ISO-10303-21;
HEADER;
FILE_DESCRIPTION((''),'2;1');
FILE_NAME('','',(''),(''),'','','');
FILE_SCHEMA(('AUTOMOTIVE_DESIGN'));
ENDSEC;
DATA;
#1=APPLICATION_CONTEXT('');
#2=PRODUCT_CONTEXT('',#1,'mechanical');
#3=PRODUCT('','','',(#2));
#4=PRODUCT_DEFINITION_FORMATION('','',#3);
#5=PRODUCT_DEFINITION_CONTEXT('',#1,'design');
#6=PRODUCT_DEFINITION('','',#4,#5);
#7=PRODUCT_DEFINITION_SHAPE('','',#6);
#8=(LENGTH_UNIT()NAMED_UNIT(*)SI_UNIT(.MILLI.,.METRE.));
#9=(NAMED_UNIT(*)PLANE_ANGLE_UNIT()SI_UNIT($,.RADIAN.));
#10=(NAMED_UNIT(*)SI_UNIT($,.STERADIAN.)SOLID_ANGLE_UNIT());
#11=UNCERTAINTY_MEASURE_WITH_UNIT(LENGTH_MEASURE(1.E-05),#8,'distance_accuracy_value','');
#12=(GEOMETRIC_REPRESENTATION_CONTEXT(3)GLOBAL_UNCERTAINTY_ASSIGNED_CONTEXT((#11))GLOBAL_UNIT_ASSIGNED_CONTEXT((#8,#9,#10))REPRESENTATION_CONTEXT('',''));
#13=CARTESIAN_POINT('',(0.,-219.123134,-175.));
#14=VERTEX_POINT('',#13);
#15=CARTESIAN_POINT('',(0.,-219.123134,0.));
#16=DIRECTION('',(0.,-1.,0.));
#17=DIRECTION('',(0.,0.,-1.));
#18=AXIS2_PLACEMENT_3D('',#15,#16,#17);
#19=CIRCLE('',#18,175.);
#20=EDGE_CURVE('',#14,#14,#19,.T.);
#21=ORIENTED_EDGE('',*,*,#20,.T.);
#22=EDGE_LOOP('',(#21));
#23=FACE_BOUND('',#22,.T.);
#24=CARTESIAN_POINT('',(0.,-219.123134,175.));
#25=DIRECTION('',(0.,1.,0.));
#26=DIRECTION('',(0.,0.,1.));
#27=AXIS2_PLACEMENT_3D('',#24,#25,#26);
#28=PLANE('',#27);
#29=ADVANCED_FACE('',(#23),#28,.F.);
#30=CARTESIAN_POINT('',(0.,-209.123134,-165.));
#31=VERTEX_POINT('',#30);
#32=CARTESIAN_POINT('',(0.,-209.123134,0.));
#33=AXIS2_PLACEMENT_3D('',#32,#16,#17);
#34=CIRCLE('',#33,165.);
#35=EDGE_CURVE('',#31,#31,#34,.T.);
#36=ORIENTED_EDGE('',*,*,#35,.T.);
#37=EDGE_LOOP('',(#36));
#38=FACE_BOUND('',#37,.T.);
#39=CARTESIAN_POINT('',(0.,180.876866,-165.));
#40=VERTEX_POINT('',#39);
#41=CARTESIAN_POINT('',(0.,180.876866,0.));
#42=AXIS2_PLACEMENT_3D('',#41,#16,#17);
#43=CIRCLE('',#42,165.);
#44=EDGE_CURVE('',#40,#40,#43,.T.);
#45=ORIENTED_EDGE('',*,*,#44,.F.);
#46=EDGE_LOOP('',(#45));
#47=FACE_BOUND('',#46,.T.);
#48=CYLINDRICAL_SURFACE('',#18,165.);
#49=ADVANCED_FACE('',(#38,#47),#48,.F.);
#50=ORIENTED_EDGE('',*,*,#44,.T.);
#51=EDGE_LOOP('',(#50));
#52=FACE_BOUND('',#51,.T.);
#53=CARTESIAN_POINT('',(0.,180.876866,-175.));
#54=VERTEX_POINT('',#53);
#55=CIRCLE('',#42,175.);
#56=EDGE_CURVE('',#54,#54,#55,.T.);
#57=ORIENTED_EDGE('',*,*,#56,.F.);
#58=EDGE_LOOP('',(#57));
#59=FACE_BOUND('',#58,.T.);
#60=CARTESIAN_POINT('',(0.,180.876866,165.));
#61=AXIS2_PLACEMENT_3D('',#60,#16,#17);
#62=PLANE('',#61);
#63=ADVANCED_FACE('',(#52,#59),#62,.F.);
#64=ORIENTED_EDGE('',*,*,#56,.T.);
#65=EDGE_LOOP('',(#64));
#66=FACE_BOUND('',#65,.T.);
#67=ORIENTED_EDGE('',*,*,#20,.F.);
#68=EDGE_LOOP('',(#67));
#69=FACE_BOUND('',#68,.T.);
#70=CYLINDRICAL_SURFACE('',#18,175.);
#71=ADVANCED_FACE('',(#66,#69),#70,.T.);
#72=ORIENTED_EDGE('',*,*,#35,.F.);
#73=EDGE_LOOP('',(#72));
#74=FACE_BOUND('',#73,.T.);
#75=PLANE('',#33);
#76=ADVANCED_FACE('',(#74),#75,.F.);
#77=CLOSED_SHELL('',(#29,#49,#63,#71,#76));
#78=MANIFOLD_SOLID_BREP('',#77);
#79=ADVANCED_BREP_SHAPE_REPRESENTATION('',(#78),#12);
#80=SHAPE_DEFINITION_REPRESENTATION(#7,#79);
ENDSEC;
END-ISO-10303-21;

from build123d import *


with BuildPart() as part:
    # Croquis1 → Revolución1 (revolve)
    with BuildSketch(Plane(origin=(0, 0, 0), x_dir=(0, 0, -1), z_dir=(1, 0, 0)), mode=Mode.PRIVATE) as revoluci_n1_sk:
        Polygon((0, -209.123134328), (-165, -209.123134328), (-165, 180.876865672), (-175, 180.876865672), (-175, -219.123134328), (0, -219.123134328), align=None)
    revolve(revoluci_n1_sk.sketch.rotate(Axis((0, -219.123134328, 0), (0, 1, 0)), 180), axis=Axis((0, -219.123134328, 0), (0, 1, 0)))


solid = part.part
